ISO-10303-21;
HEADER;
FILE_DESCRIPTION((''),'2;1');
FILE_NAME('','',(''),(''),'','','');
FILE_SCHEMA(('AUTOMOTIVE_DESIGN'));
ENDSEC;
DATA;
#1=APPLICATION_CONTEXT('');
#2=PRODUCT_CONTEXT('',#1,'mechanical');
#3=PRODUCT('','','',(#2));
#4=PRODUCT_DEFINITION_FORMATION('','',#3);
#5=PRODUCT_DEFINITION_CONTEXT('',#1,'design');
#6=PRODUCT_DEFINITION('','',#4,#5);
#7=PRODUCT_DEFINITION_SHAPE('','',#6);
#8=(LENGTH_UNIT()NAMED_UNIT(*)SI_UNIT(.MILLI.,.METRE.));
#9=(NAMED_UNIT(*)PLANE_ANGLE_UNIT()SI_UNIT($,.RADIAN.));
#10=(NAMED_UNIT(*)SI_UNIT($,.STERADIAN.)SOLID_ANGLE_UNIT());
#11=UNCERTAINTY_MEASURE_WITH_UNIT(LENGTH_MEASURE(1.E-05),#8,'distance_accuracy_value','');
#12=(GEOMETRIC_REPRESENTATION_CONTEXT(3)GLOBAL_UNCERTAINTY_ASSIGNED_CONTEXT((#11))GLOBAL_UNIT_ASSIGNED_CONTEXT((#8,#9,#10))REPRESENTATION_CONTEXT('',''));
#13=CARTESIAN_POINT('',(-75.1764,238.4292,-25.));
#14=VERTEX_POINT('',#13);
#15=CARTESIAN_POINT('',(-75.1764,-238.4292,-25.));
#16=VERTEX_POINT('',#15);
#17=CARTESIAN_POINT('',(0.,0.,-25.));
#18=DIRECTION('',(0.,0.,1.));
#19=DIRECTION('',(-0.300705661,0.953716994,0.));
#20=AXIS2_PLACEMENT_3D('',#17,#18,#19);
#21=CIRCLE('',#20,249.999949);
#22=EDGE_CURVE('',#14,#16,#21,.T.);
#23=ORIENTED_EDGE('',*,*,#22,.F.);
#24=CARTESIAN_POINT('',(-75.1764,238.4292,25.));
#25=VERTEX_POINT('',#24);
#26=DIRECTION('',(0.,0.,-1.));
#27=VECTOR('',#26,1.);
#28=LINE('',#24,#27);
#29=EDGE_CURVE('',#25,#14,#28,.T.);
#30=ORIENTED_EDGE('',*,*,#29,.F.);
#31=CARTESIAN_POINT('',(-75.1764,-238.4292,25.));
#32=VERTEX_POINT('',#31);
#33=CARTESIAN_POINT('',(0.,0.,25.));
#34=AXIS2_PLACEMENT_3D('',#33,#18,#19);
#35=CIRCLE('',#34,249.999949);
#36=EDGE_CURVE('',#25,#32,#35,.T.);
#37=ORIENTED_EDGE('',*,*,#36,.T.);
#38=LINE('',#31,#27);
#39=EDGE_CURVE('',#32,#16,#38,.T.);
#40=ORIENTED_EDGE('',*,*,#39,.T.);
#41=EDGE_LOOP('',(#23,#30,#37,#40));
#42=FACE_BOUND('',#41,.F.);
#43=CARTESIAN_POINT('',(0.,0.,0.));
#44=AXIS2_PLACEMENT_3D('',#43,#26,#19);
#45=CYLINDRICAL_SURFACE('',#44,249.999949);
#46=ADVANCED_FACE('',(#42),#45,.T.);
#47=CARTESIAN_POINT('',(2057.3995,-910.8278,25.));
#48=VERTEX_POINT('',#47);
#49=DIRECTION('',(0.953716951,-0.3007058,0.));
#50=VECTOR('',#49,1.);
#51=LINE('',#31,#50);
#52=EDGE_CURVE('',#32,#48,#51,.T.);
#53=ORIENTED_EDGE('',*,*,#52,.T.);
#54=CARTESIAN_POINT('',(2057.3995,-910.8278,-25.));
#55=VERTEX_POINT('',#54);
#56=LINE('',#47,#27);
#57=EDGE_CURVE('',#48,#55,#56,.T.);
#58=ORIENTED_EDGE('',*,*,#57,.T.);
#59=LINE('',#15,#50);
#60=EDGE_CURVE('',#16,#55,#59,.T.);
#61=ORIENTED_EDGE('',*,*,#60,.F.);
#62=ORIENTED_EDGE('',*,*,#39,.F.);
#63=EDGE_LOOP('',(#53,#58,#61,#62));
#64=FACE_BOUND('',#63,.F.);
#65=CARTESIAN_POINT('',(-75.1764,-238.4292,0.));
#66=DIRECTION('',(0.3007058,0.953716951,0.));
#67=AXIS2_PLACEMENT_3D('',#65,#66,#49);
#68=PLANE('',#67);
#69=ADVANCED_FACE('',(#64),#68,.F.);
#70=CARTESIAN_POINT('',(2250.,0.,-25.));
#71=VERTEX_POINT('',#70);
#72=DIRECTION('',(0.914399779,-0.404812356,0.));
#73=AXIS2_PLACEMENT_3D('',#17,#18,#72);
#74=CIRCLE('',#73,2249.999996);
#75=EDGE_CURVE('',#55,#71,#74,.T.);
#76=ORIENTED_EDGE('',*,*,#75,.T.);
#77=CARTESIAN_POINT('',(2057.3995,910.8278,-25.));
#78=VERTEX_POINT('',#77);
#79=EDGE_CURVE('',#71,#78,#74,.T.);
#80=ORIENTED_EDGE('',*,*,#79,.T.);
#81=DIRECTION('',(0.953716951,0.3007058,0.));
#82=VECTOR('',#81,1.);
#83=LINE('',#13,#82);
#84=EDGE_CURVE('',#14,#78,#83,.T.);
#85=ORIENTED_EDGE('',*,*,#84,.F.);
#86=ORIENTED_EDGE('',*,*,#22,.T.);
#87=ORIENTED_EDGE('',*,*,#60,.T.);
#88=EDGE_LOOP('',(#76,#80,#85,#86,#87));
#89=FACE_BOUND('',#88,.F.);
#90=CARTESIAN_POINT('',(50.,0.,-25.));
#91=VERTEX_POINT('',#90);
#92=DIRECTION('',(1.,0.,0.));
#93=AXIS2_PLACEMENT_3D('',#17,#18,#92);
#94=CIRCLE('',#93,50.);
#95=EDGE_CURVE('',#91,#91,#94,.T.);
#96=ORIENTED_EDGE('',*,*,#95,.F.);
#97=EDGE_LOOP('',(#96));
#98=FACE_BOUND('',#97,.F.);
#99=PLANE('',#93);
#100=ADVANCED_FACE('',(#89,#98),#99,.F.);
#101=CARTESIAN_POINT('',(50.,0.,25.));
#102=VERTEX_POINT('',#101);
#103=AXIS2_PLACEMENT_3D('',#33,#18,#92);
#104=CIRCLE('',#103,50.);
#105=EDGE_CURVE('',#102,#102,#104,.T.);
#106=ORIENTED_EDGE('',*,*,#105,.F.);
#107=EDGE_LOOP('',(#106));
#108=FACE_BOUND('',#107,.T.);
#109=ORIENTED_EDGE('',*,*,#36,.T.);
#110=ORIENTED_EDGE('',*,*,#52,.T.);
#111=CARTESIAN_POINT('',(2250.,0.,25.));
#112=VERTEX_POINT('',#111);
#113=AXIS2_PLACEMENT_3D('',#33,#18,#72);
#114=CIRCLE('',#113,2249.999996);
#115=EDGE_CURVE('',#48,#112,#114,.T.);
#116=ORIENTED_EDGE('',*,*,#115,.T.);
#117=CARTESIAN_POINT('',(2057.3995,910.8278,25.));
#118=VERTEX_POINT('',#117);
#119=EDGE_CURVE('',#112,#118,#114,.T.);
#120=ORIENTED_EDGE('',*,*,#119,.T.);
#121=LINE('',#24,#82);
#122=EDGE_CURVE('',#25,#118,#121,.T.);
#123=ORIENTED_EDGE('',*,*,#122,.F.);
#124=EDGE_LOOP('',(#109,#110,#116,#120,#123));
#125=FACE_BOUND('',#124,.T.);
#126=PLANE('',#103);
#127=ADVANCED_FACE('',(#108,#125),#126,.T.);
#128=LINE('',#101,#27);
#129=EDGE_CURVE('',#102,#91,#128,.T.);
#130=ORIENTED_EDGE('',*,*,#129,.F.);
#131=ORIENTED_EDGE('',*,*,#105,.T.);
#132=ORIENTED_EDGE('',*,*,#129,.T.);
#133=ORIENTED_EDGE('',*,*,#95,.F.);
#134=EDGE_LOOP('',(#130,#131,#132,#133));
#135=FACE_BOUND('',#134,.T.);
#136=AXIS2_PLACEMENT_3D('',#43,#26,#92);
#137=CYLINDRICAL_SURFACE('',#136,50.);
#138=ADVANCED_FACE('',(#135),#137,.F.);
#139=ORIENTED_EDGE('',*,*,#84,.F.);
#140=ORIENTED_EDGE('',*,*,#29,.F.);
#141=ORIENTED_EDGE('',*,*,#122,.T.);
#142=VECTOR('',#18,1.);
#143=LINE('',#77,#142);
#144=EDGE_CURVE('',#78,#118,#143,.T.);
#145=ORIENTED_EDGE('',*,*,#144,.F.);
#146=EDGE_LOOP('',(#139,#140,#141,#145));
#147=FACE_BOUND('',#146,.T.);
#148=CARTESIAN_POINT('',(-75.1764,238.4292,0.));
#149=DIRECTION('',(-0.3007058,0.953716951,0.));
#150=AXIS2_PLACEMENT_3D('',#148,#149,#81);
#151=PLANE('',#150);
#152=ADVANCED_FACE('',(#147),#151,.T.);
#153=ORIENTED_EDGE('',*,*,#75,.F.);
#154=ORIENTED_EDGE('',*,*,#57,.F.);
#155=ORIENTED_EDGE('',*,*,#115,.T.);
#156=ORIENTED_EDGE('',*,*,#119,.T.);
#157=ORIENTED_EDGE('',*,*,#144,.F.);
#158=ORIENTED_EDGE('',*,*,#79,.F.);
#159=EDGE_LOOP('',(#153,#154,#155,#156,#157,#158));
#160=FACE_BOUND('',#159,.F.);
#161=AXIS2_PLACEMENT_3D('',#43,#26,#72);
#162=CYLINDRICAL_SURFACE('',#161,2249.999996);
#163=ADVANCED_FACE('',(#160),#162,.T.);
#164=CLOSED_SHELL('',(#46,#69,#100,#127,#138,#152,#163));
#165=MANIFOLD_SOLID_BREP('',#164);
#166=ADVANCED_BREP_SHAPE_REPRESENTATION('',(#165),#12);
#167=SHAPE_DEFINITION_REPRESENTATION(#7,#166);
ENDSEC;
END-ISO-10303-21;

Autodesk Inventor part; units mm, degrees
ref_plane "YZ Plane" through (0, 0, 0) normal (1, 0, 0) x (0, 1, 0)
ref_plane "XZ Plane" through (0, 0, 0) normal (0, 1, 0) x (-1, 0, 0)
ref_plane "XY Plane" through (0, 0, 0) normal (0, 0, 1) x (1, 0, 0)
sketch "Sketch3" plane through (0, 0, 0) normal (0, 0, 1) x (1, 0, 0)
  circle A0 centre (0, 0) radius 50
  arc A1 (-75.1764, 238.4292) -> (-75.1764, -238.4292) centre (0, 0) ccw
  arc A2 (2057.3995, -910.8278) -> (2057.3995, 910.8278) centre (0, 0) ccw
  line L0 (-75.1764, 238.4292) -> (2057.3995, 910.8278)
  line L1 (-75.1764, -238.4292) -> (2057.3995, -910.8278)
  line L2 (0, 0) -> (2250, 0)
  dimension "d8" = 100
  dimension "d9" = 500
  dimension "d10" = 4500
  dimension "d11" = 35
extrude "Extrusion1" add sketch "Sketch3" along normal mid plane 50
properties part number "pendulumCompound" material "Steel"
